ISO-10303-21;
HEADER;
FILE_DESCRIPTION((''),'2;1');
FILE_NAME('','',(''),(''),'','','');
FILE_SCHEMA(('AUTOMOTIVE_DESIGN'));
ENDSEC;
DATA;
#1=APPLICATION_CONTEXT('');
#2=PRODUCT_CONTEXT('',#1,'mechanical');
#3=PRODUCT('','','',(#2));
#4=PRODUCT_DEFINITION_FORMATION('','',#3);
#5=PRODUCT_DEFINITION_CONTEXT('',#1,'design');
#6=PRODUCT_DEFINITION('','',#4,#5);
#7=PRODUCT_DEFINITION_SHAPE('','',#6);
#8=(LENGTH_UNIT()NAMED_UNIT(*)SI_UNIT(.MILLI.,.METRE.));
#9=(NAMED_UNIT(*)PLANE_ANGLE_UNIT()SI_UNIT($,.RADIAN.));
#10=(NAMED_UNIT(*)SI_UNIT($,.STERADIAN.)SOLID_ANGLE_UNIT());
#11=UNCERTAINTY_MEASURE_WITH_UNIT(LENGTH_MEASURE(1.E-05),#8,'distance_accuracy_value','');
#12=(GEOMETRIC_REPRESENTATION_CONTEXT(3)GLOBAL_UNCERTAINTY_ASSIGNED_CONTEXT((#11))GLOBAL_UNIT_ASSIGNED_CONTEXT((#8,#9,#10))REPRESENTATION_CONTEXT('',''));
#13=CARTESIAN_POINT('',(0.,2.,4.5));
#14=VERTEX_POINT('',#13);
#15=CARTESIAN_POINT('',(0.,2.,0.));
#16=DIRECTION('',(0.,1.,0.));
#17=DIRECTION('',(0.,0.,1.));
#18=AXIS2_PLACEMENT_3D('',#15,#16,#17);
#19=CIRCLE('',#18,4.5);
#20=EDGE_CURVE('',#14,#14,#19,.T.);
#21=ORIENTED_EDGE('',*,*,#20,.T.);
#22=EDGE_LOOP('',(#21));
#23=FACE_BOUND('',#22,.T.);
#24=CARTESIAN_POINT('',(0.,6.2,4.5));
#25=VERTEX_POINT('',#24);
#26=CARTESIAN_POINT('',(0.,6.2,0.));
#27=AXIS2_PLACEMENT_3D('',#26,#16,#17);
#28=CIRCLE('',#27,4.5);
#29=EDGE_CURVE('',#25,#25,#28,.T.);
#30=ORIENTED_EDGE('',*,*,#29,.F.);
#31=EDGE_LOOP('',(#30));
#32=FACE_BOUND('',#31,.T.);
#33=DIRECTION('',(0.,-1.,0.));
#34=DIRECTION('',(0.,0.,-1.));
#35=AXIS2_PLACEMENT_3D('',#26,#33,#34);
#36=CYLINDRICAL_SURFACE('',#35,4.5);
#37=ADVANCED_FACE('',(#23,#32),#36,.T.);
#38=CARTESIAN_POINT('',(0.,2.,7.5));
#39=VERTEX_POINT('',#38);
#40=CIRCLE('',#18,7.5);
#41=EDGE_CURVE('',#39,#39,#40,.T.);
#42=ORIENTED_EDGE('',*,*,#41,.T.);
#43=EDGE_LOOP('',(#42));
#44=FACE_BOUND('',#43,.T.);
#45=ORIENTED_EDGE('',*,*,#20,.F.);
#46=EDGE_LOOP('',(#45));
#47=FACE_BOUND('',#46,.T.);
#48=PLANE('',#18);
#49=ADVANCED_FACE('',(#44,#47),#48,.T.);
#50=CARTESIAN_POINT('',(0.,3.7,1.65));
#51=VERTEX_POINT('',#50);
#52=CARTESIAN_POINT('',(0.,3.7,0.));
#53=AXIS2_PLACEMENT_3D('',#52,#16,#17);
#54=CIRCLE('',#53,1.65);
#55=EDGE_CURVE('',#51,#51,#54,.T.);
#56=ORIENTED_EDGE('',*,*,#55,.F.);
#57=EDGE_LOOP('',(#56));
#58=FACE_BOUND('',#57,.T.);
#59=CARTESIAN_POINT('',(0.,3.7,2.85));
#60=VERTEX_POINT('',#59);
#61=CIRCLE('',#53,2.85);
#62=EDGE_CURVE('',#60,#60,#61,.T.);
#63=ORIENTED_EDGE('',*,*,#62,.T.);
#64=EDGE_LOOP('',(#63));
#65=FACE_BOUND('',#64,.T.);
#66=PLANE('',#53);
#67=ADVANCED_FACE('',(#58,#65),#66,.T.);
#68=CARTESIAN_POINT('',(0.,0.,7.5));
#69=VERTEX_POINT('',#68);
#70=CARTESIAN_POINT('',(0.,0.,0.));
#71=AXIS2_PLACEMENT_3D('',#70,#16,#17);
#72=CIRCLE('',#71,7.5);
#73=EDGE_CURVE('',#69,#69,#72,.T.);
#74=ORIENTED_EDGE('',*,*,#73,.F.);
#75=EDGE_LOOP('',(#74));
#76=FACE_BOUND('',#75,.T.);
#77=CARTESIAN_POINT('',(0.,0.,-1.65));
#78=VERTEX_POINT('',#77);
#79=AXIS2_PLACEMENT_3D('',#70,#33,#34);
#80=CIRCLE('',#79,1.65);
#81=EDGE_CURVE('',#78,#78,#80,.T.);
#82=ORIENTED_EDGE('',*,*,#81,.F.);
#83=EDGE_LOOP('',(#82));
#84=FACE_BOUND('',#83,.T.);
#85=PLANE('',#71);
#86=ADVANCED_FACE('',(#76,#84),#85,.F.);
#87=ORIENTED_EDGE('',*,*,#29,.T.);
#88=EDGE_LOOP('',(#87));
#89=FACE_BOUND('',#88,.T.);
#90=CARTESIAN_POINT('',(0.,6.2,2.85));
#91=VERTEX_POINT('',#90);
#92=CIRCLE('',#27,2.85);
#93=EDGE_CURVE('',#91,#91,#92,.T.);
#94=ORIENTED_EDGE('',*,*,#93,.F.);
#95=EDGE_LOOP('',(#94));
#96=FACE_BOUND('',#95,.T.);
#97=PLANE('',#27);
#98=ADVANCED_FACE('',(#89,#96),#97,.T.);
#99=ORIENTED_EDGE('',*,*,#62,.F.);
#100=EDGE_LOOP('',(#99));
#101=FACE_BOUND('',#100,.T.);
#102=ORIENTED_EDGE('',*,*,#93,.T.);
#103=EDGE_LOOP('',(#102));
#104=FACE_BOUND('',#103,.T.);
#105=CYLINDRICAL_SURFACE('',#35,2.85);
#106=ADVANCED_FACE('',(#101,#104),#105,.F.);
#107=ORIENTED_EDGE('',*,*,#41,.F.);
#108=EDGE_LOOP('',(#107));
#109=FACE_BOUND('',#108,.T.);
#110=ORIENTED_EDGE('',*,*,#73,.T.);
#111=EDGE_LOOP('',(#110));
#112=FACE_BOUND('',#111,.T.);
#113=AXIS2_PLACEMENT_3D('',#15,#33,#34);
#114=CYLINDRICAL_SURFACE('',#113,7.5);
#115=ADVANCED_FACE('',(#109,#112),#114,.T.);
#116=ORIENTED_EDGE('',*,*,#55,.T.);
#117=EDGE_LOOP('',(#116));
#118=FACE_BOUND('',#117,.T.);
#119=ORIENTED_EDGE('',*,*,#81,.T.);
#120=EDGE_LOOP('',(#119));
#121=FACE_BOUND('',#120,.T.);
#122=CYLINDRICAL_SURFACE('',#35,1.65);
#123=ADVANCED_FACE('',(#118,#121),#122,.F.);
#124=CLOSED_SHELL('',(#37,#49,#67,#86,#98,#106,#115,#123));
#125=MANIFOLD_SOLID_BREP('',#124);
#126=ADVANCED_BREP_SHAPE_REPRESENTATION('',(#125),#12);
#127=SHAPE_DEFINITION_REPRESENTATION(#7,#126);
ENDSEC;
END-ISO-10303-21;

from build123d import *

# Parameters (mm, degrees)
SKETCH_1_R          = 7.5
EXTRUDE_1_DEPTH     = 2
SKETCH_4_R          = 4.5
SKETCH_4_R_2        = 2.85
EXTRUDE_2_DEPTH     = 4.2
SKETCH_5_R          = 2.85
EXTRUDE_3_DEPTH     = 1.7
SKETCH_6_R          = 1.65
CUT_EXTRUDE_1_DEPTH = 13.28576412


with BuildPart() as part:
    # 草图1 → 凸台-拉伸1 (new body)
    with BuildSketch(Plane(origin=(0, 0, 0), x_dir=(1, 0, 0), z_dir=(0, 1, 0))):
        with Locations(Location((0, 0, 0), (0, 0, 270))):
            Circle(SKETCH_1_R)
    extrude(amount=EXTRUDE_1_DEPTH)

    # 草图4 → 凸台-拉伸2 (add)
    with BuildSketch(Plane(origin=(0, 2, 0), x_dir=(1, 0, 0), z_dir=(0, 1, 0))):
        with Locations(Location((0, 0, 0), (0, 0, 270))):
            Circle(SKETCH_4_R)
        with Locations(Location((0, 0, 0), (0, 0, 270))):
            Circle(SKETCH_4_R_2, mode=Mode.SUBTRACT)
    extrude(amount=EXTRUDE_2_DEPTH)

    # 草图5 → 凸台-拉伸3 (add)
    with BuildSketch(Plane(origin=(0, 2, 0), x_dir=(1, 0, 0), z_dir=(0, 1, 0))):
        with Locations(Location((0, 0, 0), (0, 0, 270))):
            Circle(SKETCH_5_R)
    extrude(amount=EXTRUDE_3_DEPTH)

    # 草图6 → 切除-拉伸1 (cut, through all)
    with BuildSketch(Plane.XZ):
        with Locations(Location((0, 0, 0), (0, 0, 270))):
            Circle(SKETCH_6_R)
    extrude(amount=-CUT_EXTRUDE_1_DEPTH, mode=Mode.SUBTRACT)


solid = part.part
